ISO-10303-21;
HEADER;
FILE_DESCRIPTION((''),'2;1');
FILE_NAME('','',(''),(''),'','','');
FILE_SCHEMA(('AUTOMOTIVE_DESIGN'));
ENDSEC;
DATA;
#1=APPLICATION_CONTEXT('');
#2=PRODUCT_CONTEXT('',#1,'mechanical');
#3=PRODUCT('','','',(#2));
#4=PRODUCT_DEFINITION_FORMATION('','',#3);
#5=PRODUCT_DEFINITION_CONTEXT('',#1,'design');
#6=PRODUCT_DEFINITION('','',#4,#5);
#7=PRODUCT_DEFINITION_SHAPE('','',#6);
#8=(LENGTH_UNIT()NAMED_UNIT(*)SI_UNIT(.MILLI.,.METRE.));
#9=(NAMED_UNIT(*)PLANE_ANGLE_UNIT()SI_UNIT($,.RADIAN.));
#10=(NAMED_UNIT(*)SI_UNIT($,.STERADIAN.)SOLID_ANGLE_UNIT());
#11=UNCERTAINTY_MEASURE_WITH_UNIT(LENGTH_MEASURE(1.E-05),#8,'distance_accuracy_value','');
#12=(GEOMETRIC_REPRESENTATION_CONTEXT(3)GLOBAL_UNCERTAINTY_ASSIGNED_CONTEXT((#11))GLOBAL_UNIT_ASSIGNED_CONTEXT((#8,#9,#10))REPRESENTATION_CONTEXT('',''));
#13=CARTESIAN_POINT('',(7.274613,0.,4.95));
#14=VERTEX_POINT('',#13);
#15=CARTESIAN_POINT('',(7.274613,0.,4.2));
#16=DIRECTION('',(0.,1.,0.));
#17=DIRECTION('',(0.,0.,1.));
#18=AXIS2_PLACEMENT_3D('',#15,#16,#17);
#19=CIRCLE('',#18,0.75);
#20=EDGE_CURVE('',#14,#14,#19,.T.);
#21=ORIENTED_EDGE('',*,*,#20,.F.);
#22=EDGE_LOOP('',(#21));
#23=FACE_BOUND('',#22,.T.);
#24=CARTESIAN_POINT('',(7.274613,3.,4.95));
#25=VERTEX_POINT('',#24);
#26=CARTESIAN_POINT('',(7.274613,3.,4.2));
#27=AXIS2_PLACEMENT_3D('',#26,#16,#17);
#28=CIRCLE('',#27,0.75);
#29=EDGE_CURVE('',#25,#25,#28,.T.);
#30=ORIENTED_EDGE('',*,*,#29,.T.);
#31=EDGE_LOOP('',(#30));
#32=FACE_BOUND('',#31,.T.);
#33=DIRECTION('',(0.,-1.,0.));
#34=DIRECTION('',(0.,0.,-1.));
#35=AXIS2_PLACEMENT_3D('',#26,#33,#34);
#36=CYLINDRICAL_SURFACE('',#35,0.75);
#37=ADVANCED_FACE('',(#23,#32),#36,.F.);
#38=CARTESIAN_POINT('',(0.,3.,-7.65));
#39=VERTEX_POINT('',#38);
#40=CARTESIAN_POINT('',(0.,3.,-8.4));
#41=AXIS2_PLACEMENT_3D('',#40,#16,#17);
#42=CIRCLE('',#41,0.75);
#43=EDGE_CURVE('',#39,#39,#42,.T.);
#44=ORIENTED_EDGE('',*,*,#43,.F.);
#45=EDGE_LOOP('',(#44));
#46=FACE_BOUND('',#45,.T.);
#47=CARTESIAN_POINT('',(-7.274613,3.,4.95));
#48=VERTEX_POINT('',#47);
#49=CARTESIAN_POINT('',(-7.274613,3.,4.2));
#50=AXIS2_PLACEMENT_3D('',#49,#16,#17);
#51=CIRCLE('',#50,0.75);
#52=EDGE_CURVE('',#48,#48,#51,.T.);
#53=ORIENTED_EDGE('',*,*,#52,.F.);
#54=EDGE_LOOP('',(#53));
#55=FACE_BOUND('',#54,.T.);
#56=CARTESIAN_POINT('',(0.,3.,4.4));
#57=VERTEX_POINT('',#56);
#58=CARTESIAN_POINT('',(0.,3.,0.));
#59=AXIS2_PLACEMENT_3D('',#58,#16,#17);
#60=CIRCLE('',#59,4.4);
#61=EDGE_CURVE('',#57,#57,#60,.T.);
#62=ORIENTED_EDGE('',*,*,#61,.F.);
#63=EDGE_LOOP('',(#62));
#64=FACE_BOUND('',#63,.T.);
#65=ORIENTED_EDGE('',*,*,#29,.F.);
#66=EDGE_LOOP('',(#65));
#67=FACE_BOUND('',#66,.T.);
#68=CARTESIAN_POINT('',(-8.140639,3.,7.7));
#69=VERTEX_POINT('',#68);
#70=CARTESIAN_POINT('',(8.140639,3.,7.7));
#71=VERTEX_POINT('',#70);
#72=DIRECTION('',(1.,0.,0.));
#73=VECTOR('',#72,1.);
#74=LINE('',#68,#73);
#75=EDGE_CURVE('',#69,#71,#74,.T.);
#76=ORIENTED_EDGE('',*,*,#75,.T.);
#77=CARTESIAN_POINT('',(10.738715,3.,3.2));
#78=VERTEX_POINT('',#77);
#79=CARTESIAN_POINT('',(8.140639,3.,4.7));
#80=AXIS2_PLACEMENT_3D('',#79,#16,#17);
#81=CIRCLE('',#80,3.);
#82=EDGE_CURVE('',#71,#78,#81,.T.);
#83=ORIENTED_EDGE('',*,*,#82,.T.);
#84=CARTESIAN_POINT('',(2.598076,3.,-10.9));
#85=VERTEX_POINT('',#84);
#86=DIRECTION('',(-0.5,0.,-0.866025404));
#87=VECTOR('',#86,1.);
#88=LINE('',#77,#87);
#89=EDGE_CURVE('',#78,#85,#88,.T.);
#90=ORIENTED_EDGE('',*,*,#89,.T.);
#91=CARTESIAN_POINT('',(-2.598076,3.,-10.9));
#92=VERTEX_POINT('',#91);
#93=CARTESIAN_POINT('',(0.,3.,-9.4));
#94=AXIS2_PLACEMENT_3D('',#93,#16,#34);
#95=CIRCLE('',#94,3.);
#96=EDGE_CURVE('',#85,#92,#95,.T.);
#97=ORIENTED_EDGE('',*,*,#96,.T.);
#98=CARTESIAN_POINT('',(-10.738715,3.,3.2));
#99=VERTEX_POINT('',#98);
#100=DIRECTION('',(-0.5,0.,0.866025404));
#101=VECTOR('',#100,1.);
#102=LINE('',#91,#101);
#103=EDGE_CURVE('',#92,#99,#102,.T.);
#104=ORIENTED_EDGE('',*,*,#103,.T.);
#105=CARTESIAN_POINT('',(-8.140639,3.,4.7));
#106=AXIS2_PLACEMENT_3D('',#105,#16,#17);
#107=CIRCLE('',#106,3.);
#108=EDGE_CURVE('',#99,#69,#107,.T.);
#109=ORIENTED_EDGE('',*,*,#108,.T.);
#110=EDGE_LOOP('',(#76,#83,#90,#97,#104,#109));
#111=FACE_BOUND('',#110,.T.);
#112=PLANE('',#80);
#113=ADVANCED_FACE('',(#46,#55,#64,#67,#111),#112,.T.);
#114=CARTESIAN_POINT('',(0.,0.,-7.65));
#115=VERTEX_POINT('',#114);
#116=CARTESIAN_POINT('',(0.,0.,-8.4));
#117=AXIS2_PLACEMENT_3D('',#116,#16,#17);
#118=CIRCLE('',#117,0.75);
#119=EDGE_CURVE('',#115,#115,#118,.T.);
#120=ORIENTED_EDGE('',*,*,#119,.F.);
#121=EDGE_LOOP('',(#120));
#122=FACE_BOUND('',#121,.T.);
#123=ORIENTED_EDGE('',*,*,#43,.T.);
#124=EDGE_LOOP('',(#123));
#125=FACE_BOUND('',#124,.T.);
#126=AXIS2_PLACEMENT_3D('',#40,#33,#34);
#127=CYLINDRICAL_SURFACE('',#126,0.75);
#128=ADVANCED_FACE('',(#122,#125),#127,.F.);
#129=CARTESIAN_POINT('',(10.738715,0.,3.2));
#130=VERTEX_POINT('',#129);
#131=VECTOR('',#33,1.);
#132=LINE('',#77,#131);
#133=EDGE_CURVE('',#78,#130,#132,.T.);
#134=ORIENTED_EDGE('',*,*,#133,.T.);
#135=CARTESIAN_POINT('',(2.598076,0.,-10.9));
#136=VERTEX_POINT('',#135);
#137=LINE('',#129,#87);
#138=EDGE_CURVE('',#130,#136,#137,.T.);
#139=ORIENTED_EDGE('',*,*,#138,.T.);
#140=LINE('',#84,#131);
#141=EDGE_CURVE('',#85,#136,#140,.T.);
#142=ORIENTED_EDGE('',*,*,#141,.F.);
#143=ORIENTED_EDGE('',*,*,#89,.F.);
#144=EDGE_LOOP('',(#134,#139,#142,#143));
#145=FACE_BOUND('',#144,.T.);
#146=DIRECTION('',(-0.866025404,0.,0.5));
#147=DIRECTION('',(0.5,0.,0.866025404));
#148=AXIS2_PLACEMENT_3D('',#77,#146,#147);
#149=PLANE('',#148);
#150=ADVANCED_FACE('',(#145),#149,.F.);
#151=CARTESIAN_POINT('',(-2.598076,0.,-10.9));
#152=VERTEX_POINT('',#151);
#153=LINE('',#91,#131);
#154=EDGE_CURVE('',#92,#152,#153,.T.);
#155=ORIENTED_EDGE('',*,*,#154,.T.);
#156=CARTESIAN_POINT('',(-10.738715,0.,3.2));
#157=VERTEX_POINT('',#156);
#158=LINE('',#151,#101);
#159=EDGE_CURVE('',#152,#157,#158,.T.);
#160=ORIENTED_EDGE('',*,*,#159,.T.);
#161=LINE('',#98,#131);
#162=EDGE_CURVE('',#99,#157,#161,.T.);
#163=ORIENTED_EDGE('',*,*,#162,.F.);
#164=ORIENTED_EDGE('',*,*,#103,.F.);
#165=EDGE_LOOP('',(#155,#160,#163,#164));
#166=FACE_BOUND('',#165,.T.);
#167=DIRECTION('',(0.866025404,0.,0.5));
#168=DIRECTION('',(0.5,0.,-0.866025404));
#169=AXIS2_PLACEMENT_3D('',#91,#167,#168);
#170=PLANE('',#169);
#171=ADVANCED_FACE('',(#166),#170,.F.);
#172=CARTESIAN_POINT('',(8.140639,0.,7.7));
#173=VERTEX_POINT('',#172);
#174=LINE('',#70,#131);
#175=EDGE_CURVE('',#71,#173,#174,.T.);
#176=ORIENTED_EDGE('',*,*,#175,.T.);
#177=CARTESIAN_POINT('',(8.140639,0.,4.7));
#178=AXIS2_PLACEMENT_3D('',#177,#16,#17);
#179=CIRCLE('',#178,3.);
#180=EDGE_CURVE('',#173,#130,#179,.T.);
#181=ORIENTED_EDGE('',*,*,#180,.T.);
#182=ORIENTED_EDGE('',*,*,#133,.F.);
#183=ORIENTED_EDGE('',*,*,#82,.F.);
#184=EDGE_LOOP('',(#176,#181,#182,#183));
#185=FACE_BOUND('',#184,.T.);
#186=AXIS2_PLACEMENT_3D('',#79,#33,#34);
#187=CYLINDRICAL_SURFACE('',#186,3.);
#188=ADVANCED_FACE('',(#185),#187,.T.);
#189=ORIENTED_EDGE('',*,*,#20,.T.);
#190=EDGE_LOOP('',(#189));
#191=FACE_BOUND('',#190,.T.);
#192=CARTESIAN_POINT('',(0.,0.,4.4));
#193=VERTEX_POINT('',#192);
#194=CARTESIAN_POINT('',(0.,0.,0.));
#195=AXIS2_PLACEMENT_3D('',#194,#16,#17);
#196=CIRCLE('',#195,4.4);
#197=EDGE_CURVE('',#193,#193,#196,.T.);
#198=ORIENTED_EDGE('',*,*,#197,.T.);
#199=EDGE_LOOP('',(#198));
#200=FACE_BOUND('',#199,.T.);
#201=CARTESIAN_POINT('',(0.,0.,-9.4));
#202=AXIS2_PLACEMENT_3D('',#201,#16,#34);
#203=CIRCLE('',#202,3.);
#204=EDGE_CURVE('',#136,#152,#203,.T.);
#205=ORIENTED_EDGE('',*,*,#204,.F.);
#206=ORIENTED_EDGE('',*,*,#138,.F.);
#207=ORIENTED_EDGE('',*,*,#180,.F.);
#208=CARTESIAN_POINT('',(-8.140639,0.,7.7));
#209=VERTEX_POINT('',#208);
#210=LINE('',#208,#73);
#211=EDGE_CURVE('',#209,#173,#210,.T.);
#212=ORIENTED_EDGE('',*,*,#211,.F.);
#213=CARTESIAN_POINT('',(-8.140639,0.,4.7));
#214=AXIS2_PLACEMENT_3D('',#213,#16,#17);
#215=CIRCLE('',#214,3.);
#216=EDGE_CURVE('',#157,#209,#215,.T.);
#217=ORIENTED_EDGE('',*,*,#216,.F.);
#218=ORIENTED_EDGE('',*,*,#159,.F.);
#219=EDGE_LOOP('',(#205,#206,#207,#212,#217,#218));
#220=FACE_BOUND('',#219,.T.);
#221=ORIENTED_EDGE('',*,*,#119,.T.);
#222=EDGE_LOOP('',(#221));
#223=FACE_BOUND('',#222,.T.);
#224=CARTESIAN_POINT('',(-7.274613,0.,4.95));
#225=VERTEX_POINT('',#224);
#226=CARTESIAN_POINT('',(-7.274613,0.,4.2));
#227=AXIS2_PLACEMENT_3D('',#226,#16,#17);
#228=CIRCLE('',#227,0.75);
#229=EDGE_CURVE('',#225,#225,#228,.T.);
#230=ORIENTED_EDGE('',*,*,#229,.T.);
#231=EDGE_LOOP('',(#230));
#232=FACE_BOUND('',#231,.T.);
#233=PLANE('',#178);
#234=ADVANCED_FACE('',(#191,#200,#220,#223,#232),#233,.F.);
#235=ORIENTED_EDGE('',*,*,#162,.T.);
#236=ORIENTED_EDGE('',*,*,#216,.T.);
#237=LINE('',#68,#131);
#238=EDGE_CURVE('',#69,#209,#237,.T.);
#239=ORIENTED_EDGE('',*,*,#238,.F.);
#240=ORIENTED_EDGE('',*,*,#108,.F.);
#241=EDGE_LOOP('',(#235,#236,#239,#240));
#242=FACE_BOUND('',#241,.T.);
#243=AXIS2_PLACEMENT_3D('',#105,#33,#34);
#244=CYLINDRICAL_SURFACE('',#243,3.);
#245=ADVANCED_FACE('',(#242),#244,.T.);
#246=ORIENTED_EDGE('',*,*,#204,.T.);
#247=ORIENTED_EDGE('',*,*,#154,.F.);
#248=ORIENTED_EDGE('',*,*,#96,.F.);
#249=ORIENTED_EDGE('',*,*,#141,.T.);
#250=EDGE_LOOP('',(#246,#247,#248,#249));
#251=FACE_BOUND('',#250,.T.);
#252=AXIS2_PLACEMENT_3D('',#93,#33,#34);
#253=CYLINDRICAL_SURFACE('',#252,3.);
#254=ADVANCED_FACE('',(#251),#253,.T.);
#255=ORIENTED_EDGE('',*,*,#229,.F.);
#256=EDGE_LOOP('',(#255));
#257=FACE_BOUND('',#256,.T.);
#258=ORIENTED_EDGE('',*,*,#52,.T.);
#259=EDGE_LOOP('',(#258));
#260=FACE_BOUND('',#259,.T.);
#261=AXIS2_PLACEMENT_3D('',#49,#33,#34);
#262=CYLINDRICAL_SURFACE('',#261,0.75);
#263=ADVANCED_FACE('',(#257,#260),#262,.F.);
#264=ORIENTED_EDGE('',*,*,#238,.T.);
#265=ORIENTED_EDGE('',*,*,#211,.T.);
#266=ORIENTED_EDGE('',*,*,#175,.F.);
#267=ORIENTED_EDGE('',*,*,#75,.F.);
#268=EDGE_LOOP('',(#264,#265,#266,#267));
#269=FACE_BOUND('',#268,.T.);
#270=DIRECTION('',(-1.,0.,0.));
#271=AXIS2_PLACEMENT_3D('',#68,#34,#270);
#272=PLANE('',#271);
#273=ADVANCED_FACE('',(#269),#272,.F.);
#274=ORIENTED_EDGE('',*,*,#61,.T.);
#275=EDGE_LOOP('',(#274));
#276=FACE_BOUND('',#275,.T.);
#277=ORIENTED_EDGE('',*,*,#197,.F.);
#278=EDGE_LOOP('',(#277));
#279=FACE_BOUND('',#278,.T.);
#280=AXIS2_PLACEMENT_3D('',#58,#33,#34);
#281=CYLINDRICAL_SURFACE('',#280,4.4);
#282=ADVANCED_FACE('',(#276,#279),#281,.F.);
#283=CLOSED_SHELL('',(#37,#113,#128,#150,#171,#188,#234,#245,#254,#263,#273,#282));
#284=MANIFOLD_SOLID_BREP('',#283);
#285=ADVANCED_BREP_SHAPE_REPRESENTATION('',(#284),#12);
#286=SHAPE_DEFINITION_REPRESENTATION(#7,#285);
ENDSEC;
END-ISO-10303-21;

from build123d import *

# Parameters (mm, degrees)
ESQUISSE1_R        = 4.4
ESQUISSE1_R_2      = 0.75
BOSS_EXTRU_1_DEPTH = 3


with BuildPart() as part:
    # Esquisse1 → Boss.-Extru.1 (new body)
    with BuildSketch(Plane(origin=(0, 0, 0), x_dir=(1, 0, 0), z_dir=(0, 1, 0))):
        with BuildLine():
            Line((-2.598076211, 10.9), (-10.738715007, -3.2))
            ThreePointArc((-10.738715007, -3.2), (-10.738715007, -6.2), (-8.140638796, -7.7))
            Line((-8.140638796, -7.7), (8.140638796, -7.7))
            ThreePointArc((8.140638796, -7.7), (10.738715007, -6.2), (10.738715007, -3.2))
            Line((10.738715007, -3.2), (2.598076211, 10.9))
            ThreePointArc((2.598076211, 10.9), (0, 12.4), (-2.598076211, 10.9))
        make_face()
        with Locations(Location((0, 0, 0), (0, 0, 270))):
            Circle(ESQUISSE1_R, mode=Mode.SUBTRACT)
        with Locations(Location((0, 8.4, 0), (0, 0, 270))):
            Circle(ESQUISSE1_R_2, mode=Mode.SUBTRACT)
        with Locations(Location((7.274613392, -4.2, 0), (0, 0, 270))):
            Circle(ESQUISSE1_R_2, mode=Mode.SUBTRACT)
        with Locations(Location((-7.274613392, -4.2, 0), (0, 0, 270))):
            Circle(ESQUISSE1_R_2, mode=Mode.SUBTRACT)
    extrude(amount=BOSS_EXTRU_1_DEPTH)


solid = part.part
